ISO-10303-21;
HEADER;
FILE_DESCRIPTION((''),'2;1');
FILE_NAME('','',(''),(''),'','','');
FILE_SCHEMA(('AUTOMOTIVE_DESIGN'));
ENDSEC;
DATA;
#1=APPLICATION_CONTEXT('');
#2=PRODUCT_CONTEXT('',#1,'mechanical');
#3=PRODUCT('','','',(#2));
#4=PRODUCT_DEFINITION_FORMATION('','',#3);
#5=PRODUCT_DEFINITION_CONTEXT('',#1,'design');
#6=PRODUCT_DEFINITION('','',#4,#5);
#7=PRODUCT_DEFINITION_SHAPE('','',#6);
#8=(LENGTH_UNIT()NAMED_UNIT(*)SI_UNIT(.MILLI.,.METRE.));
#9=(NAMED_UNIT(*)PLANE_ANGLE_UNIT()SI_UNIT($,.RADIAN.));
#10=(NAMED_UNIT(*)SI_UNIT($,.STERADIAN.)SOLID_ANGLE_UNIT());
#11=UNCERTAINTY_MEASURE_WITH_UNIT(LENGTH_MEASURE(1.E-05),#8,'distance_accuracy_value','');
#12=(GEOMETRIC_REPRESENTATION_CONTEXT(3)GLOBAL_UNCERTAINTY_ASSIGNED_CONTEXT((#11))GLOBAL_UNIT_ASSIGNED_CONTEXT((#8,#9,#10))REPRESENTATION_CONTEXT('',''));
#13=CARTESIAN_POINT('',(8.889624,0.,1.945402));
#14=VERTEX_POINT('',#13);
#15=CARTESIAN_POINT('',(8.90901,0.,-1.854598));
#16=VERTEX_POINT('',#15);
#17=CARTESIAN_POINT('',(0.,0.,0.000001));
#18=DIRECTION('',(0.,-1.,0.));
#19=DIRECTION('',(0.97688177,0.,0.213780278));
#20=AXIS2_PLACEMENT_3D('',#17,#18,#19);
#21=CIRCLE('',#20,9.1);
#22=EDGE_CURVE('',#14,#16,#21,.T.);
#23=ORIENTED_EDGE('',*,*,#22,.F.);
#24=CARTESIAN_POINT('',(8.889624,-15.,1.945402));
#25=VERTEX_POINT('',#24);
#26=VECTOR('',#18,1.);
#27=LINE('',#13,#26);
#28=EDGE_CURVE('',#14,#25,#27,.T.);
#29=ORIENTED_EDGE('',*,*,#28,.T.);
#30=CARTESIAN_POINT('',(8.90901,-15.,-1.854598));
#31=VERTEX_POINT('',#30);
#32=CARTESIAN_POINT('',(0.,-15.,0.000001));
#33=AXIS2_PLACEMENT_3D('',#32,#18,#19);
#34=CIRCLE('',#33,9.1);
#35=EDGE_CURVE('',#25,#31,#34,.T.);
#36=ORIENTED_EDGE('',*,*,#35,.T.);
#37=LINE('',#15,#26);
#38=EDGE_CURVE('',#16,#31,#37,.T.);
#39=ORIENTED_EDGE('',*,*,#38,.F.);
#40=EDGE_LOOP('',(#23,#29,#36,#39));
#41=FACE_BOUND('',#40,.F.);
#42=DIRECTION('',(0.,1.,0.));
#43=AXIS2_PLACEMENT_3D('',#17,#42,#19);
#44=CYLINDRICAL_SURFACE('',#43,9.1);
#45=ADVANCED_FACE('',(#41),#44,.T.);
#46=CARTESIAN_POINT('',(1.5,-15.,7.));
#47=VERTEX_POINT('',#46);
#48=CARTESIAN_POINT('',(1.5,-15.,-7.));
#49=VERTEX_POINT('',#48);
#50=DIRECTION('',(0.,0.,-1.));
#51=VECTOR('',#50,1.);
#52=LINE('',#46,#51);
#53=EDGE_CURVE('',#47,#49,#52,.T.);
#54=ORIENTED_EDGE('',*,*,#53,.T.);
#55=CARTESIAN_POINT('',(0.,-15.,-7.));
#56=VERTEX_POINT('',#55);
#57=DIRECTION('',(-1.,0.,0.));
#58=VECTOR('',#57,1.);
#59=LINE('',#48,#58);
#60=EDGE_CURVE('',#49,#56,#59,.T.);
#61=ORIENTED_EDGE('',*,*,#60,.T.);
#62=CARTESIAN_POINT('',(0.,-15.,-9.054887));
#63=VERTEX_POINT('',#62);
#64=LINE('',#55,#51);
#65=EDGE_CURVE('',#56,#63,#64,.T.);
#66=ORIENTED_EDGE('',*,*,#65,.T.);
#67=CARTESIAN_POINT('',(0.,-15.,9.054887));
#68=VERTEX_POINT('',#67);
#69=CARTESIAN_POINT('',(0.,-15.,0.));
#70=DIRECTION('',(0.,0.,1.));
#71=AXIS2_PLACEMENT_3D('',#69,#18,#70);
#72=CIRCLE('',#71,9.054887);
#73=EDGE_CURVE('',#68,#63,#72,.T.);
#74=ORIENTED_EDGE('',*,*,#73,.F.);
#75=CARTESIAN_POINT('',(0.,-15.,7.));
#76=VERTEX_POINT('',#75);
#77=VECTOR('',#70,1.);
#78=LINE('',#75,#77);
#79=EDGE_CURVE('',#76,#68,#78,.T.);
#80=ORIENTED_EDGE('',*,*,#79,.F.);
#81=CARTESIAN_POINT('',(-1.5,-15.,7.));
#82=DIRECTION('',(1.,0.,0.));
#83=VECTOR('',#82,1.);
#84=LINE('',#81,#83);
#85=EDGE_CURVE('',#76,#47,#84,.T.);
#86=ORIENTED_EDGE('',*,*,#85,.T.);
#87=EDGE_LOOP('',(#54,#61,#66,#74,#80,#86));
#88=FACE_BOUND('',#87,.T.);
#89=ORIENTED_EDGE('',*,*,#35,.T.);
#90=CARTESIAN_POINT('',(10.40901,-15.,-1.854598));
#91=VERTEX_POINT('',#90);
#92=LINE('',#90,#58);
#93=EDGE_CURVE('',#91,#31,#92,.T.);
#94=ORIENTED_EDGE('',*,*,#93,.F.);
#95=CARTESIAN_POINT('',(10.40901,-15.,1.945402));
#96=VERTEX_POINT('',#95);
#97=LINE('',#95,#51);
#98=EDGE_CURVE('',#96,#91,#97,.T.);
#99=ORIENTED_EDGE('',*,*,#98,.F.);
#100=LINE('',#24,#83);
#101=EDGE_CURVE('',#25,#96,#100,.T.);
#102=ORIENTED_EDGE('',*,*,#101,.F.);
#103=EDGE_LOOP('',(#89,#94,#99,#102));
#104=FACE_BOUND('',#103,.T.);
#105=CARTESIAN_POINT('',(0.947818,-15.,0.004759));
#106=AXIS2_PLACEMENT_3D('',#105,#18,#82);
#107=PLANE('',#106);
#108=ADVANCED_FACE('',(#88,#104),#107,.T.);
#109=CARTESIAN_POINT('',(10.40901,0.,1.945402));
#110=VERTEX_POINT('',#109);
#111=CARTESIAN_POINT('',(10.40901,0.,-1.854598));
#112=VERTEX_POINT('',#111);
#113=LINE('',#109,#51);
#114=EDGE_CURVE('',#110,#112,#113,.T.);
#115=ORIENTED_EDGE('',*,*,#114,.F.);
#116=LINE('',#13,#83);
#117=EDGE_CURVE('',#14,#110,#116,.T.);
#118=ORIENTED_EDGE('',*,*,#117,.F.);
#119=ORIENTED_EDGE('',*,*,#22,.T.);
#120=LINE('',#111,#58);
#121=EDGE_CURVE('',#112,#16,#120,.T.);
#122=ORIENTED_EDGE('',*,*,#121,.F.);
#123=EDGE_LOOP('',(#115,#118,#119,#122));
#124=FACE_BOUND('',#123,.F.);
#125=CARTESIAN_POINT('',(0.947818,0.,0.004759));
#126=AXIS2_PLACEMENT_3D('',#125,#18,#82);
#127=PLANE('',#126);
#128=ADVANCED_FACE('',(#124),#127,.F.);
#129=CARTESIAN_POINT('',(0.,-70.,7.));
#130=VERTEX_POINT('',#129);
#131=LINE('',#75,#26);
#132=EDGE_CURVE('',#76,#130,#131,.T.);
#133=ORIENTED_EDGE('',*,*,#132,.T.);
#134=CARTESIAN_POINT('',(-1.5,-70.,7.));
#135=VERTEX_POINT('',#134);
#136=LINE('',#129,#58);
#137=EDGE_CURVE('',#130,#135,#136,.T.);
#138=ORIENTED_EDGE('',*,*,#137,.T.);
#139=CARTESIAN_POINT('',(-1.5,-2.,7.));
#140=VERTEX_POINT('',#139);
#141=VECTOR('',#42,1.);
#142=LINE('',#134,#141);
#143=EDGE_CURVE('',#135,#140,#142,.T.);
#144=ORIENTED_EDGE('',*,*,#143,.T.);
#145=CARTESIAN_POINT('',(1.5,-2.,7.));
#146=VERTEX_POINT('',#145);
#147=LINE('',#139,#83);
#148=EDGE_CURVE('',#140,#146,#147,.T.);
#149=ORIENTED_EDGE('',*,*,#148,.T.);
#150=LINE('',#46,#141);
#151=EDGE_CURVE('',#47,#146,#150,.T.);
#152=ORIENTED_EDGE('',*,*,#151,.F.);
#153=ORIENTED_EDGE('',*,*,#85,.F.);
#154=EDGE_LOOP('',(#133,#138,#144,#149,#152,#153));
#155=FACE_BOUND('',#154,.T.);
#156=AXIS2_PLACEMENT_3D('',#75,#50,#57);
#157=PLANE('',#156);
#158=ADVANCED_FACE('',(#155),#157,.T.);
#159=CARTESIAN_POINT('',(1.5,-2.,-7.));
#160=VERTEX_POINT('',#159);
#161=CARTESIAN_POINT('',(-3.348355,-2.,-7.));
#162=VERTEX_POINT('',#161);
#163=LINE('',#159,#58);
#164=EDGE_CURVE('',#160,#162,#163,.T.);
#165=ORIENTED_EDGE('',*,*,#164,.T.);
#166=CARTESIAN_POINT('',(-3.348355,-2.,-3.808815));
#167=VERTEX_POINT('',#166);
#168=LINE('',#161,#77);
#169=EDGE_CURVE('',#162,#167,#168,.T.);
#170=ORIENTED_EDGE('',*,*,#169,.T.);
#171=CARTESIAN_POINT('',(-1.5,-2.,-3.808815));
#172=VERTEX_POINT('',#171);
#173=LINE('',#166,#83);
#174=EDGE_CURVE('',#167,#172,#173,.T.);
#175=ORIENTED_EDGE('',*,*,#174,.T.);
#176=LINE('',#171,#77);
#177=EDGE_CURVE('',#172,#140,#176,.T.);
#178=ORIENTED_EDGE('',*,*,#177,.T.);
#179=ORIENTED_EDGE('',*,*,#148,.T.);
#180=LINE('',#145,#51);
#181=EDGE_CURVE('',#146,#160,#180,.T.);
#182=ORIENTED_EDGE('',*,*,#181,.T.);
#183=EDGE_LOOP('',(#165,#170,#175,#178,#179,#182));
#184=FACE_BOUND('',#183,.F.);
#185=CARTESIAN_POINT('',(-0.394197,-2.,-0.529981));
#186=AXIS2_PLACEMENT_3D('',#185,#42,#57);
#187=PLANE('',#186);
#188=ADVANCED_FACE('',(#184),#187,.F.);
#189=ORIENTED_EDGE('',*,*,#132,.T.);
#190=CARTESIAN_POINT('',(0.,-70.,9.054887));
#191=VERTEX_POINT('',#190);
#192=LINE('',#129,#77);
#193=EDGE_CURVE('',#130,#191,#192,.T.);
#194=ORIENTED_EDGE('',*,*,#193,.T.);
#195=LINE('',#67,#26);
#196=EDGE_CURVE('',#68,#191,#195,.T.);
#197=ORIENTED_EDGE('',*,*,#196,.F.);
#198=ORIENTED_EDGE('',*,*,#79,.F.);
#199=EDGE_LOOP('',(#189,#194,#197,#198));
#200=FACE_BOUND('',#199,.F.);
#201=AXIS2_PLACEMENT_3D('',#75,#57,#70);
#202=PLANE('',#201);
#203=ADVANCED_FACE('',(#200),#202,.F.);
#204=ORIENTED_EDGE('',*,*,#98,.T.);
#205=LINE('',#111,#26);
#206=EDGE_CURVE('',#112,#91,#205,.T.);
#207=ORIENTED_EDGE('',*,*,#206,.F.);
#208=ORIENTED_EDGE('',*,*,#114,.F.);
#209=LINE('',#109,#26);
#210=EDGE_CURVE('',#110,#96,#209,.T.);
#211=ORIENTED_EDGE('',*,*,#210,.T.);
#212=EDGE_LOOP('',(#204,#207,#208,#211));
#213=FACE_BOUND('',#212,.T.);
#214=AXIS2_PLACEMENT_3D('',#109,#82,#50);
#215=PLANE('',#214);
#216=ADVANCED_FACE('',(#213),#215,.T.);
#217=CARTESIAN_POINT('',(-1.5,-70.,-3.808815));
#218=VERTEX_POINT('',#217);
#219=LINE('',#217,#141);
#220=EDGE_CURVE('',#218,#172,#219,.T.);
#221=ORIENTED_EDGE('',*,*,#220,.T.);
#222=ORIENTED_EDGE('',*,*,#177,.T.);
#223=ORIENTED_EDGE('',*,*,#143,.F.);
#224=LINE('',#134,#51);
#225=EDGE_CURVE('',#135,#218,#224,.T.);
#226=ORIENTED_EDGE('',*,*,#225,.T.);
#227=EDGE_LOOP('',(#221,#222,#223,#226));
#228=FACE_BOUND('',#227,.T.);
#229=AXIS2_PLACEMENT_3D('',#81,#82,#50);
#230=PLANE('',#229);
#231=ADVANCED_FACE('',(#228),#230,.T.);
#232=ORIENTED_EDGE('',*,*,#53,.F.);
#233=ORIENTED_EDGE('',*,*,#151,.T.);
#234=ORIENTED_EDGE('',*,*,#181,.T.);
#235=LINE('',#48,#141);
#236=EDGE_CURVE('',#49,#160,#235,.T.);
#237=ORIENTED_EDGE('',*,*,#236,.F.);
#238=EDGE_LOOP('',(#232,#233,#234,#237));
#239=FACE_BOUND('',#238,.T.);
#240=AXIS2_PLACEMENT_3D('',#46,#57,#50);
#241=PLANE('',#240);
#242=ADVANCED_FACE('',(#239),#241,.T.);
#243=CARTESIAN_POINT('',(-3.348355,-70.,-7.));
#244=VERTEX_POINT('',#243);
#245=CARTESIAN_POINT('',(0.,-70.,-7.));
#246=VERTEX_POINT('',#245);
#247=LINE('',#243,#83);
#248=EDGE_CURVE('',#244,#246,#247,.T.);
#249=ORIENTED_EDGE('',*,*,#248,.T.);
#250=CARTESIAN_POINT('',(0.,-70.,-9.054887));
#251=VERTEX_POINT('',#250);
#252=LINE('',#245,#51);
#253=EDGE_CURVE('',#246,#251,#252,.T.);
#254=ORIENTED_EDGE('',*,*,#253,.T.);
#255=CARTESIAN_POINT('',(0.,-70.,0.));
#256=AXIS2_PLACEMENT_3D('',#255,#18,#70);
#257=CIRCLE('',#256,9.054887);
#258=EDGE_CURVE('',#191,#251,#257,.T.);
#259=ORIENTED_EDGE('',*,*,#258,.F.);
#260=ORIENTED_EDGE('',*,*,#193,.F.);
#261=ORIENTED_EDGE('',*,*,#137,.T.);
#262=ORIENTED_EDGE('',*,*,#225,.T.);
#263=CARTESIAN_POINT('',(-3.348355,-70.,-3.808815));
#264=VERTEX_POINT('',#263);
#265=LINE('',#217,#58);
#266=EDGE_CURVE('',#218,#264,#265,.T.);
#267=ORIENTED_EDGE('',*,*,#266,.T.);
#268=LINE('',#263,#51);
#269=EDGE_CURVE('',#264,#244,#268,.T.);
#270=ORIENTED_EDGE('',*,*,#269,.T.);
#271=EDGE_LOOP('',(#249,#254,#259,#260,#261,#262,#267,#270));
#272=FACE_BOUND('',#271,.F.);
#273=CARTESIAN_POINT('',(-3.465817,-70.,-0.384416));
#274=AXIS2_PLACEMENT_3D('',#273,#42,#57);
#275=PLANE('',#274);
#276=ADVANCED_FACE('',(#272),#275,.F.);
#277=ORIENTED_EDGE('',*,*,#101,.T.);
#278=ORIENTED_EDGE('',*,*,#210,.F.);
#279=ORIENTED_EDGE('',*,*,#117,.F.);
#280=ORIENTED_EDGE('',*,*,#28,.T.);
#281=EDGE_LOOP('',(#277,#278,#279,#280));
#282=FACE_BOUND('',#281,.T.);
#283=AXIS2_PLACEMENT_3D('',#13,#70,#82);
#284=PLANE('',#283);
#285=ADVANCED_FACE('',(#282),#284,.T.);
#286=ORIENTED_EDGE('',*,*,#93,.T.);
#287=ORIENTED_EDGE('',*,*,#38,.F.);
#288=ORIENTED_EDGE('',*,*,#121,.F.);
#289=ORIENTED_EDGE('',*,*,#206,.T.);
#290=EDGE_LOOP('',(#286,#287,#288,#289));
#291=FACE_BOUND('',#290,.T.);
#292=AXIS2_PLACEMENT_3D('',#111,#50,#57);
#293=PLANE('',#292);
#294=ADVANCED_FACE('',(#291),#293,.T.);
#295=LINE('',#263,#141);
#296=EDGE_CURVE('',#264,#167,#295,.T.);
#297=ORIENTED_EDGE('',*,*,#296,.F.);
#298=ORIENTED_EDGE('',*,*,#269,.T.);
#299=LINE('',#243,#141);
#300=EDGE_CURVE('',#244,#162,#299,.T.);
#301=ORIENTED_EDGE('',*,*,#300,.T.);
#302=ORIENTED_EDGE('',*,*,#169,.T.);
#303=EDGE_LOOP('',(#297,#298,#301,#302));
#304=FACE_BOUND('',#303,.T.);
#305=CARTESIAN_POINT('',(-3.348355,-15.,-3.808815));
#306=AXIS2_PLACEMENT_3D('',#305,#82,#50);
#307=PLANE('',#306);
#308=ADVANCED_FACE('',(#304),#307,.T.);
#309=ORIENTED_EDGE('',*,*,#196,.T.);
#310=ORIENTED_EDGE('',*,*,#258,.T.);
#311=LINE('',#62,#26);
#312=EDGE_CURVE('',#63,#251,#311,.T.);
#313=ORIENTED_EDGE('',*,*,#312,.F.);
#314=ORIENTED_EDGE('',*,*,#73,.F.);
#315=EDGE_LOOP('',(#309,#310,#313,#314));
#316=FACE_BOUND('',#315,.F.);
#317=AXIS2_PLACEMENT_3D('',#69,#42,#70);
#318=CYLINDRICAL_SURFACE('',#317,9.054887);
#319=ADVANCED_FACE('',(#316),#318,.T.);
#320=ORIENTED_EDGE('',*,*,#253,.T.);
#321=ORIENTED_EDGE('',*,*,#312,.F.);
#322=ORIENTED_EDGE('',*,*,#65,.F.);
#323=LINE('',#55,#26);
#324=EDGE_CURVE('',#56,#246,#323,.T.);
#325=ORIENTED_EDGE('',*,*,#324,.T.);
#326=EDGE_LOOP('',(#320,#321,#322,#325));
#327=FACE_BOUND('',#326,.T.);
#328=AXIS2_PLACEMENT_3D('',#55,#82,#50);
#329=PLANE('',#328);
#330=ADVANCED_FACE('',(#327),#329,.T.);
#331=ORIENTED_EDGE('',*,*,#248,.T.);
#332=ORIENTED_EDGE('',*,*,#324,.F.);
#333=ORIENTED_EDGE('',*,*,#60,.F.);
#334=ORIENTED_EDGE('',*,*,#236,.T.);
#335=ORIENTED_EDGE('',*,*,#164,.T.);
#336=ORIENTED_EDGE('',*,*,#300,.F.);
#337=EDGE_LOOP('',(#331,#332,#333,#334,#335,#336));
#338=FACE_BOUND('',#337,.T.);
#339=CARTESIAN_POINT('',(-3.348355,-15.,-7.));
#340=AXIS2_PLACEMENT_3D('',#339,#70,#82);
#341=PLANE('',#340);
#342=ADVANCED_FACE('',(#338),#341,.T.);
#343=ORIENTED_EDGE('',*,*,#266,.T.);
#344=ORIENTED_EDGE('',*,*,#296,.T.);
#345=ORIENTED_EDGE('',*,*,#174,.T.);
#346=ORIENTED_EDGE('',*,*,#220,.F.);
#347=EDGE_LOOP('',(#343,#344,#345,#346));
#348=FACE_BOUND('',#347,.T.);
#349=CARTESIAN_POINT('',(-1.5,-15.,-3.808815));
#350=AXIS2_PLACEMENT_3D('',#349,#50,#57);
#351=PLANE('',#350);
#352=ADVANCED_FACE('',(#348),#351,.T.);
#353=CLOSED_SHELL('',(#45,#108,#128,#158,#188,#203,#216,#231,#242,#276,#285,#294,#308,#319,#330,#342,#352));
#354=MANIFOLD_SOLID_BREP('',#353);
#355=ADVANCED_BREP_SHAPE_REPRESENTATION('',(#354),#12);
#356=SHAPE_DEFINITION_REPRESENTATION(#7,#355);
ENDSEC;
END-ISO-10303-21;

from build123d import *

# Parameters (mm, degrees)
PAD_DEPTH    = 15
POCKET_DEPTH = 13
PAD001_DEPTH = 55


with BuildPart() as part:
    # Sketch → Pad (new body)
    with BuildSketch(Plane.XZ):
        with BuildLine():
            ThreePointArc((8.889624, 1.945402), (-9.099882, -0.046426), (8.90901, -1.854598))
            Line((10.40901, -1.854598), (8.90901, -1.854598))
            Line((10.40901, 1.945402), (10.40901, -1.854598))
            Line((8.889624, 1.945402), (10.40901, 1.945402))
        make_face()
    extrude(amount=PAD_DEPTH)

    # Sketch001 (on Face6 of Pad) → Pocket (cut)
    with BuildSketch(Plane.XZ.offset(15)):
        Polygon((-1.5, 7), (1.5, 7), (1.5, -7), (-3.348355, -7), (-3.348355, -3.808815), (-1.5, -3.808815), align=None)
    extrude(amount=-POCKET_DEPTH, mode=Mode.SUBTRACT)

    # Sketch002 (on Face5 of Pocket) → Pad001 (join)
    with BuildSketch(Plane.XZ.offset(15)):
        with BuildLine():
            Line((0, 7), (-1.5, 7))
            Line((-1.5, 7), (-1.5, -3.808815))
            Line((-1.5, -3.808815), (-3.348355, -3.808815))
            Line((-3.348355, -3.808815), (-3.348355, -7))
            Line((-3.348355, -7), (0, -7))
            Line((0, -7), (0, -9.054887))
            ThreePointArc((0, 9.054887), (-9.054887, 0), (0, -9.054887))
            Line((0, 7), (0, 9.054887))
        make_face()
    extrude(amount=PAD001_DEPTH)


solid = part.part
